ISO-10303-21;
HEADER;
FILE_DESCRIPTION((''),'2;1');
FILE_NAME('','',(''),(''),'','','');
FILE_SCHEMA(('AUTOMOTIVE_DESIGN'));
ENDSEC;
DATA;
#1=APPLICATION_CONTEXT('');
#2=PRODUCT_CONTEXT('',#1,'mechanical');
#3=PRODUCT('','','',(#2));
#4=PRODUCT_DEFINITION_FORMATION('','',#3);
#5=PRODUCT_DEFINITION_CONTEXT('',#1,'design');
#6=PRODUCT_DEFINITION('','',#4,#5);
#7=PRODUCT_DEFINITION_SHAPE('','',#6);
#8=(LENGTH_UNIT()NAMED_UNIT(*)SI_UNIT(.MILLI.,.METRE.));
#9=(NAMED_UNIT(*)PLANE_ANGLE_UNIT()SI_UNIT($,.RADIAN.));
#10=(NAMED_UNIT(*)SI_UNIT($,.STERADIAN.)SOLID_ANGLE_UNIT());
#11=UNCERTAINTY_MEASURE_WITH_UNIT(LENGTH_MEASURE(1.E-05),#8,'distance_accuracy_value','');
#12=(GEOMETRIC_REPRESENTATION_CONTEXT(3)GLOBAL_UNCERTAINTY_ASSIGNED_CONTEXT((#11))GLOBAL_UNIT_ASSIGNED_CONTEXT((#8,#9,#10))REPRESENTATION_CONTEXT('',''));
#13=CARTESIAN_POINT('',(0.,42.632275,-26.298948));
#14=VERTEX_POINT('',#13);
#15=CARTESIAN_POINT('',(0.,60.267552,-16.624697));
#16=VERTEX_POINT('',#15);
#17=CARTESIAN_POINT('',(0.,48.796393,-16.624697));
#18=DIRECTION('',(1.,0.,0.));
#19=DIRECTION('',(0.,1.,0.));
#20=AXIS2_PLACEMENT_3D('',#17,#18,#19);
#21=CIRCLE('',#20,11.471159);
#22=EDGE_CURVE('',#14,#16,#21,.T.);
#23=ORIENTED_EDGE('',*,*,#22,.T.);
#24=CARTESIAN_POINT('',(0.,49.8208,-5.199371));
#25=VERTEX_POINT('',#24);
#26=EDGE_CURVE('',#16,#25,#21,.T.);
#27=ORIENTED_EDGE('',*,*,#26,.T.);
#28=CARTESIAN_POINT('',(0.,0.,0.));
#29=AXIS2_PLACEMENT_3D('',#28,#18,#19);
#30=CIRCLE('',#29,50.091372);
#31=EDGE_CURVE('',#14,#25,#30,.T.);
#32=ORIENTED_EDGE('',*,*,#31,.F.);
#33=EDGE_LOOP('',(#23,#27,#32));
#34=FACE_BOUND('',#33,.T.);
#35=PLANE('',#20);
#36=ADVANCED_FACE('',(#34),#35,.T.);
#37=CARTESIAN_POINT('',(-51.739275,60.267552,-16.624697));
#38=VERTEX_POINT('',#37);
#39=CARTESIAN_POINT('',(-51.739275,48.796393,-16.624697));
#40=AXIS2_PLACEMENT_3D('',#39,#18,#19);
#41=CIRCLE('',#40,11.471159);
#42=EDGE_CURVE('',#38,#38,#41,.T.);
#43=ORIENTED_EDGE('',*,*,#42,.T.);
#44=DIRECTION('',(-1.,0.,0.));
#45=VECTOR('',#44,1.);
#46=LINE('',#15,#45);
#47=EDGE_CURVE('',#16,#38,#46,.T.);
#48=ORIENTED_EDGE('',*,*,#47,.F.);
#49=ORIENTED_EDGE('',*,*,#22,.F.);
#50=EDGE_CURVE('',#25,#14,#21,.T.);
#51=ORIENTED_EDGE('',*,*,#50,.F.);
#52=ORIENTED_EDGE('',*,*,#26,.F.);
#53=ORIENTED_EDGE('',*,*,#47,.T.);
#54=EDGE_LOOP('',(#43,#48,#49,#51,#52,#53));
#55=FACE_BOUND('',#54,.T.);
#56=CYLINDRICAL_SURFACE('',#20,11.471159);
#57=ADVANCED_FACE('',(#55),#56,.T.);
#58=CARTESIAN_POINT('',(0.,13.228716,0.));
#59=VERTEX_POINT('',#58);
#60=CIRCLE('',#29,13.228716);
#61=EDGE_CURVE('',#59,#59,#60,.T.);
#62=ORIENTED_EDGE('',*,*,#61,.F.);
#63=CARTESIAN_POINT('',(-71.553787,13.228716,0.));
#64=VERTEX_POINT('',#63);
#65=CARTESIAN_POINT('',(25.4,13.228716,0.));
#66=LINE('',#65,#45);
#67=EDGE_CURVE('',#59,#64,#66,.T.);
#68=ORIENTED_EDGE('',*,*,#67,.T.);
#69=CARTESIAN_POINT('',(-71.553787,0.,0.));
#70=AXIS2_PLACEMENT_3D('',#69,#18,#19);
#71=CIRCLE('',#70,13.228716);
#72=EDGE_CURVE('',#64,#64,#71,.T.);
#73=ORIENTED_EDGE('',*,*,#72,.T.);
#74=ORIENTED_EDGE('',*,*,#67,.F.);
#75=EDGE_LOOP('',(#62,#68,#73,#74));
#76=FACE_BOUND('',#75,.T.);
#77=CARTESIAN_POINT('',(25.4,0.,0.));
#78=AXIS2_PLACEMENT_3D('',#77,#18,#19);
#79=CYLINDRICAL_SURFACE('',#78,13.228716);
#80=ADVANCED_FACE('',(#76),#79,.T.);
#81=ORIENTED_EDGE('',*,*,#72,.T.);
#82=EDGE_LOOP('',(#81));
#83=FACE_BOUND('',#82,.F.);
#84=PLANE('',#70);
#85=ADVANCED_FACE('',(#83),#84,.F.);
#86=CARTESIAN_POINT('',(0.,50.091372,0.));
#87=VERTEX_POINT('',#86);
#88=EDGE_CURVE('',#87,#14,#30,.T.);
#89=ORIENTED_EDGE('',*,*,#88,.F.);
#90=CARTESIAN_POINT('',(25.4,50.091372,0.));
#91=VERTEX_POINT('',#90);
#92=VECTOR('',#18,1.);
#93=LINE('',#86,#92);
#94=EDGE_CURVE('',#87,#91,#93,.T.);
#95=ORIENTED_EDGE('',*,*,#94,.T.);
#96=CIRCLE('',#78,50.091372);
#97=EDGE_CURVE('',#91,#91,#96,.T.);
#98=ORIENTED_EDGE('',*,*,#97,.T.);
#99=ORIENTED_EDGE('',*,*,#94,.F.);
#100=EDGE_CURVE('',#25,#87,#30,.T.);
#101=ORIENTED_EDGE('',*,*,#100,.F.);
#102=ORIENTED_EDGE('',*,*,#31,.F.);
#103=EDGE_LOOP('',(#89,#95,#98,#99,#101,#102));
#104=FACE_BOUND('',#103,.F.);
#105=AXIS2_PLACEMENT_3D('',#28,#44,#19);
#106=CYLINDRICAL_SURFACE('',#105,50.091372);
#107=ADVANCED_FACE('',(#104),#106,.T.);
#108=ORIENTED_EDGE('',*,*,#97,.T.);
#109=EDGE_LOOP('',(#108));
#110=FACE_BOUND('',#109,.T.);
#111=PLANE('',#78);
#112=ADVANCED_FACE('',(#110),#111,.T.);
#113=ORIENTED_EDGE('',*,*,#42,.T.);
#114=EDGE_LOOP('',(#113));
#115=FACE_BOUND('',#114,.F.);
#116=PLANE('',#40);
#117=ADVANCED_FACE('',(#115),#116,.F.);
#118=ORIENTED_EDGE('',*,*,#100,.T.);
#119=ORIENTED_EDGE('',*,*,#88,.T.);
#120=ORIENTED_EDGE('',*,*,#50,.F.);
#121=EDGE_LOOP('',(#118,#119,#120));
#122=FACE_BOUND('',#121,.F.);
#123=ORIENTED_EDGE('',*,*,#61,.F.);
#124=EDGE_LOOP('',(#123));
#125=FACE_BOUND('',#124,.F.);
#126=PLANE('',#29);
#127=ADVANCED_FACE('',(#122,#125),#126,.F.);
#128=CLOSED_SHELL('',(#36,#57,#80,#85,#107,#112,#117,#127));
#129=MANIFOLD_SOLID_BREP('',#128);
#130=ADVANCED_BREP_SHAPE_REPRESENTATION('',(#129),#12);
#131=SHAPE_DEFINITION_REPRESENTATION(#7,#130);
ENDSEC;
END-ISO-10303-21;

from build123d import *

# Parameters (mm, degrees)
F0_R     = 50.091372
F1_DEPTH = 25.4
F2_R     = 13.228716
F3_DEPTH = 96.953787
F4_R     = 11.471159
F5_DEPTH = 51.739275


with BuildPart() as f1:
    # F0 (on Right) → F1 (new body)
    with BuildSketch(Plane.YZ):
        Circle(F0_R)
    extrude(amount=F1_DEPTH)

    # F2 (on face) → F3 (join)
    with BuildSketch(Plane.YZ.offset(25.4)):
        Circle(F2_R)
    extrude(amount=-F3_DEPTH)

    # F4 (on Right) → F5 (join)
    with BuildSketch(Plane.YZ):
        with Locations((48.796393, -16.624697)):
            Circle(F4_R)
    extrude(amount=-F5_DEPTH)


solid = f1.part
